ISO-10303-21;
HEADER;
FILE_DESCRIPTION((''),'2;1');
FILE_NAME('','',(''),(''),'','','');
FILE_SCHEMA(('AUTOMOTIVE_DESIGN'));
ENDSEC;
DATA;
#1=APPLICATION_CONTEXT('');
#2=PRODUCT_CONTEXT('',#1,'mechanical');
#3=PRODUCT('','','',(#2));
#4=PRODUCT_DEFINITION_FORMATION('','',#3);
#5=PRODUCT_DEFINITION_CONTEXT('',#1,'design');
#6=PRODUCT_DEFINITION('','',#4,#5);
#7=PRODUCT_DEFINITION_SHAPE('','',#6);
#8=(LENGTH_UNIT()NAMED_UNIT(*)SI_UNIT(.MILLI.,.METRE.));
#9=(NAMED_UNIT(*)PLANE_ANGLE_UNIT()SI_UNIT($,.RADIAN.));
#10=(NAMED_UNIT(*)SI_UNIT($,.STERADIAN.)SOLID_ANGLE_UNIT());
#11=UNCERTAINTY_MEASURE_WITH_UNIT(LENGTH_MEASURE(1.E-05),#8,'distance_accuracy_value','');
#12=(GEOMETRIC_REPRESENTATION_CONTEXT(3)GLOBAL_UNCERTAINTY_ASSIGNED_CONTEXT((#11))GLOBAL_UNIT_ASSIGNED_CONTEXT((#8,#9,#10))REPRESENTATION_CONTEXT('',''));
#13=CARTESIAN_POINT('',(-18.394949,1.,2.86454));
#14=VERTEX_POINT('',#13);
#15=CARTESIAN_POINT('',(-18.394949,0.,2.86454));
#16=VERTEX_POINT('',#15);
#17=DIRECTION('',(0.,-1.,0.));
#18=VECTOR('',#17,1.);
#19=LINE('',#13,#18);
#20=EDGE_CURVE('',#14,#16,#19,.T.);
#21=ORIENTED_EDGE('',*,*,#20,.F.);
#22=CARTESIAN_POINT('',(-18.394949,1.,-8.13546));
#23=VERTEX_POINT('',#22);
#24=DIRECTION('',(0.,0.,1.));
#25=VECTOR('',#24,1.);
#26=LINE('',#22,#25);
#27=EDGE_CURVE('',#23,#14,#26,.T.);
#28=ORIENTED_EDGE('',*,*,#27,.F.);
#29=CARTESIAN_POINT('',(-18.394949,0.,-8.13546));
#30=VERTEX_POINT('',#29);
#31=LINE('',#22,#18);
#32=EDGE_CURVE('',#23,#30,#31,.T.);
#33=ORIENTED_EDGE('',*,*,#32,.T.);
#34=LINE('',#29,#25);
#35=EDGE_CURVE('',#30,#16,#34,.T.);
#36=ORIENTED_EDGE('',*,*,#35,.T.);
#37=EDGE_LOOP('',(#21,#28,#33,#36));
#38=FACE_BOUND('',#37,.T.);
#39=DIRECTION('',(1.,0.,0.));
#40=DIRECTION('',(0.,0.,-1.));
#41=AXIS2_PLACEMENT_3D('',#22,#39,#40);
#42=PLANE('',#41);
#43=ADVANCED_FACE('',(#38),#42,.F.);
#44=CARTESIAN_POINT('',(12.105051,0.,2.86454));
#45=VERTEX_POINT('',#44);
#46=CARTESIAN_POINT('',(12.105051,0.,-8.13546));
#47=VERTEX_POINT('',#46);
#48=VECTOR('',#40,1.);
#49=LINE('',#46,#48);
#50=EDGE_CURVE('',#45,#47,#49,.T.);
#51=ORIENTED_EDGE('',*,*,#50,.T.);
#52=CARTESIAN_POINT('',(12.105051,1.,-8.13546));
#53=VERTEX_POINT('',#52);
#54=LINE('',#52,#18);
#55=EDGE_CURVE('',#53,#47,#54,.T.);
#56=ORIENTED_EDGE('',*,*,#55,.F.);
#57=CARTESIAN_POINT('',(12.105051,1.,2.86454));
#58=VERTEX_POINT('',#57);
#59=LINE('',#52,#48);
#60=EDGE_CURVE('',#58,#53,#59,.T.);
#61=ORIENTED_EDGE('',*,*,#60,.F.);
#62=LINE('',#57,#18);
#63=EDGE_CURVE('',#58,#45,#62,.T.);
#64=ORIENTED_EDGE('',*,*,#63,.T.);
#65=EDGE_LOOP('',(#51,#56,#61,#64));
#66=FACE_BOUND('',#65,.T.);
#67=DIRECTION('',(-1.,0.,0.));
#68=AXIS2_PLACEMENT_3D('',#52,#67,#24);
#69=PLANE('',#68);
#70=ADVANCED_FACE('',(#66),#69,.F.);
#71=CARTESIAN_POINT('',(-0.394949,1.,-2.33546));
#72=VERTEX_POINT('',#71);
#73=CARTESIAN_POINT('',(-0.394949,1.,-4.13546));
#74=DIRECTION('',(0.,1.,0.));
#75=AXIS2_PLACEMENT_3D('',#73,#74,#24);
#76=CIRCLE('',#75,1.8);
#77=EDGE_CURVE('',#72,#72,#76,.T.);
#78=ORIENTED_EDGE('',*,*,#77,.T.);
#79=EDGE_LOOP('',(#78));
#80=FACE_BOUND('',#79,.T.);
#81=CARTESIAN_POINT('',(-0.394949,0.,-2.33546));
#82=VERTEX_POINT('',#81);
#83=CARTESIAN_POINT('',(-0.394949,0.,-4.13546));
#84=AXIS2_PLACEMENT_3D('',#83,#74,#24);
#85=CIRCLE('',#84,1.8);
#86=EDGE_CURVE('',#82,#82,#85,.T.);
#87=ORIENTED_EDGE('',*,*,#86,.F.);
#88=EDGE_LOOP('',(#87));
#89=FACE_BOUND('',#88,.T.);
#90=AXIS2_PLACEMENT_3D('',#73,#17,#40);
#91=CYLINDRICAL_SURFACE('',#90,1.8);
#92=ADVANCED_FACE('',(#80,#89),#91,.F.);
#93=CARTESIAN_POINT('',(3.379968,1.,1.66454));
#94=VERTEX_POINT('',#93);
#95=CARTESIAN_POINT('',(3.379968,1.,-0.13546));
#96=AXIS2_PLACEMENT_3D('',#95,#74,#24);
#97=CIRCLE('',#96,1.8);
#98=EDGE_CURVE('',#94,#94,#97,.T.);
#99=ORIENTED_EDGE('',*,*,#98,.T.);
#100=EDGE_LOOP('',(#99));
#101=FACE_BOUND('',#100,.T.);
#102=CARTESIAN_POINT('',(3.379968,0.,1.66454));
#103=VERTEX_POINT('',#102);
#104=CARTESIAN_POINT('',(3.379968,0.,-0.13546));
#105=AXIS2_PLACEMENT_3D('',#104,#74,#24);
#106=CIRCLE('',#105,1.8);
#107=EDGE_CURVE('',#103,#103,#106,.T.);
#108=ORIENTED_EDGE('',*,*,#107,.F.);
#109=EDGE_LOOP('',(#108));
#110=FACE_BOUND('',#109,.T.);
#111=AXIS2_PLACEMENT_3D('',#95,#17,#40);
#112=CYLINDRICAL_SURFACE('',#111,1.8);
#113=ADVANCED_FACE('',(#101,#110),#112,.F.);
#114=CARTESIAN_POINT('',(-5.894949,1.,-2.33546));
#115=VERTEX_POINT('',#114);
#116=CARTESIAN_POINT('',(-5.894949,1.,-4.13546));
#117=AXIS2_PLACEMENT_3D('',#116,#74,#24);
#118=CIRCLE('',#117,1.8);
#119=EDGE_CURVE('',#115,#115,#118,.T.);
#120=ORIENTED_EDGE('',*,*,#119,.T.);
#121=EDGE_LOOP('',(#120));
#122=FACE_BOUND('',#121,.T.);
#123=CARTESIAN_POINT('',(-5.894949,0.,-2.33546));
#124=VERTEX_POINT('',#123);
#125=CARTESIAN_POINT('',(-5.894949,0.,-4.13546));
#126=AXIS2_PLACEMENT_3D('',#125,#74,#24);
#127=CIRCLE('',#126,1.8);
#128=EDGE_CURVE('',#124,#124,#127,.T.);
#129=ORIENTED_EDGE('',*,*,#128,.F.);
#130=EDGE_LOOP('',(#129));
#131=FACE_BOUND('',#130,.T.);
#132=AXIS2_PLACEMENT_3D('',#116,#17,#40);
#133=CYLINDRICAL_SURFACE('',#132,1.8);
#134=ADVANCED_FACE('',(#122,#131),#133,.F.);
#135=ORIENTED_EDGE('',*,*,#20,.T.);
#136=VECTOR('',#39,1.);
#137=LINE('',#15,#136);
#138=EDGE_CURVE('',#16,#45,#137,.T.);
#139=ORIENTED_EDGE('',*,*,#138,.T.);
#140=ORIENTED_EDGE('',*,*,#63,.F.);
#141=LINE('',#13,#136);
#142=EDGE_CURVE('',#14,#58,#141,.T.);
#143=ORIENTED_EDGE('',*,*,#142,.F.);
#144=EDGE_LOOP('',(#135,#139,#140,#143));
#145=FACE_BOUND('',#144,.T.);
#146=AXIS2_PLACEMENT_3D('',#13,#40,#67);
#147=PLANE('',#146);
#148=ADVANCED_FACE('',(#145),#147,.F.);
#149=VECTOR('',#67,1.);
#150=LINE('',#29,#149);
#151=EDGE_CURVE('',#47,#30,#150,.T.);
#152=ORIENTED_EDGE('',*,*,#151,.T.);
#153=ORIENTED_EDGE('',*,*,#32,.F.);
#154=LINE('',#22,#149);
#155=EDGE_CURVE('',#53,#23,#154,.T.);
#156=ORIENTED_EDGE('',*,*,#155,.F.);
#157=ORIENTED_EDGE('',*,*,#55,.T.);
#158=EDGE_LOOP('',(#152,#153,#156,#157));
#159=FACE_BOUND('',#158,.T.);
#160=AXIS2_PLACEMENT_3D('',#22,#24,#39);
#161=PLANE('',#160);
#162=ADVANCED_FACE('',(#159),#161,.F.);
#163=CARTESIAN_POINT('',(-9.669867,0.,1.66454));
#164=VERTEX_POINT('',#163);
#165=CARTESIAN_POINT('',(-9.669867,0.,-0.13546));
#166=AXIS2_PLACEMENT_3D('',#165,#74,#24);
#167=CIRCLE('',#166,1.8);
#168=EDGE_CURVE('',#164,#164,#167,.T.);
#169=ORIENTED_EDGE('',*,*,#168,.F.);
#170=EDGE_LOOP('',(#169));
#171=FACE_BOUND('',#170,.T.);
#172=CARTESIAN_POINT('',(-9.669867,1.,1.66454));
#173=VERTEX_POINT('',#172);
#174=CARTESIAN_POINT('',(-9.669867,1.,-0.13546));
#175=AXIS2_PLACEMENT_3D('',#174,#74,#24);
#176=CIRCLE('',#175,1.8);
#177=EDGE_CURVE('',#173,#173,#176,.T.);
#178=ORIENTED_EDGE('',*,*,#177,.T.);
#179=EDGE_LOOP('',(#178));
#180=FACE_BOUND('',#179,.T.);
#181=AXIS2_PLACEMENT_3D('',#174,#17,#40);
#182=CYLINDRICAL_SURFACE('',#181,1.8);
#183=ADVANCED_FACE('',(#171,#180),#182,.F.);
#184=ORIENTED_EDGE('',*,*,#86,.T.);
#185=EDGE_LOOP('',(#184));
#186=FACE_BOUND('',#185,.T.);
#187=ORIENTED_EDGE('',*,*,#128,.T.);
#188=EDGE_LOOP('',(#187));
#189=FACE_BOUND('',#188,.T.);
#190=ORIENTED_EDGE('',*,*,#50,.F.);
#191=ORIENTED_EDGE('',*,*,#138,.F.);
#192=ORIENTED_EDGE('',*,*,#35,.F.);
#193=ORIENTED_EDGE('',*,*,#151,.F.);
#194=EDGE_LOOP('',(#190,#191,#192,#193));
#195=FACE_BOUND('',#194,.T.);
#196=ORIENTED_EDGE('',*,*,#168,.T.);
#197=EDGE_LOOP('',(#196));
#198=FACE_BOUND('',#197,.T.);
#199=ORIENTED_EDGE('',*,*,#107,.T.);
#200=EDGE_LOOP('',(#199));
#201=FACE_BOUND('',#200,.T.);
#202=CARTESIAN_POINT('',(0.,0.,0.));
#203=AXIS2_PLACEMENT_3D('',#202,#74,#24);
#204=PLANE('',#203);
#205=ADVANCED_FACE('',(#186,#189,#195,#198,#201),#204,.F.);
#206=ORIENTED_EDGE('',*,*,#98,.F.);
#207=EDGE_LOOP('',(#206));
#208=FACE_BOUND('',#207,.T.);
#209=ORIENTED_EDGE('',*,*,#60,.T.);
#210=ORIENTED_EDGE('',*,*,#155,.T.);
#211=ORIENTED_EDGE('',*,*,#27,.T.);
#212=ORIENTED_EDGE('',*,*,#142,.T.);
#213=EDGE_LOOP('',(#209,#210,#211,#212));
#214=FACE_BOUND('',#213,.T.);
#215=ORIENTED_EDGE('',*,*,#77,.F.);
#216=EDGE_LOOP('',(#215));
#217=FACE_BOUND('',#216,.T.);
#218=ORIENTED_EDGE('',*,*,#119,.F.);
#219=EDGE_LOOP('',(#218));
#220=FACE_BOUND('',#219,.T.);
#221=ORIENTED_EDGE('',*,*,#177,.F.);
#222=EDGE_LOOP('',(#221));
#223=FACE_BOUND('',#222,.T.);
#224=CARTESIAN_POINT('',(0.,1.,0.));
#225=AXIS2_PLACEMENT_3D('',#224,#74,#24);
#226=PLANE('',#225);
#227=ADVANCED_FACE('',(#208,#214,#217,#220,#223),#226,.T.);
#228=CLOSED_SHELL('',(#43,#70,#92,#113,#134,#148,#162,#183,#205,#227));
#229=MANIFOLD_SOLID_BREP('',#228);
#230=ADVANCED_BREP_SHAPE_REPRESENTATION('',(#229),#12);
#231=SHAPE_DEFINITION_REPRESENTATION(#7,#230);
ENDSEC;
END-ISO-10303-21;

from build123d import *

# Parameters (mm, degrees)
SKETCH1_W           = 30.5
SKETCH1_H           = 11
SKETCH1_R           = 1.8
BOSS_EXTRUDE1_DEPTH = 1


with BuildPart() as part:
    # Sketch1 → Boss-Extrude1 (new body)
    with BuildSketch(Plane(origin=(0, 0, 0), x_dir=(1, 0, 0), z_dir=(0, 1, 0))):
        with Locations((-3.144949305, 2.635460251)):
            Rectangle(SKETCH1_W, SKETCH1_H)
        with Locations(Location((-5.894949305, 4.135460251, 0), (0, 0, 270))):  # turned: the seam where the file's is
            Circle(SKETCH1_R, mode=Mode.SUBTRACT)
        with Locations(Location((-0.394949305, 4.135460251, 0), (0, 0, 270))):  # turned: the seam where the file's is
            Circle(SKETCH1_R, mode=Mode.SUBTRACT)
        with Locations(Location((-9.669866522, 0.135460251, 0), (0, 0, 270))):  # turned: the seam where the file's is
            Circle(SKETCH1_R, mode=Mode.SUBTRACT)
        with Locations(Location((3.379967913, 0.135460251, 0), (0, 0, 270))):  # turned: the seam where the file's is
            Circle(SKETCH1_R, mode=Mode.SUBTRACT)
    extrude(amount=BOSS_EXTRUDE1_DEPTH)


solid = part.part
